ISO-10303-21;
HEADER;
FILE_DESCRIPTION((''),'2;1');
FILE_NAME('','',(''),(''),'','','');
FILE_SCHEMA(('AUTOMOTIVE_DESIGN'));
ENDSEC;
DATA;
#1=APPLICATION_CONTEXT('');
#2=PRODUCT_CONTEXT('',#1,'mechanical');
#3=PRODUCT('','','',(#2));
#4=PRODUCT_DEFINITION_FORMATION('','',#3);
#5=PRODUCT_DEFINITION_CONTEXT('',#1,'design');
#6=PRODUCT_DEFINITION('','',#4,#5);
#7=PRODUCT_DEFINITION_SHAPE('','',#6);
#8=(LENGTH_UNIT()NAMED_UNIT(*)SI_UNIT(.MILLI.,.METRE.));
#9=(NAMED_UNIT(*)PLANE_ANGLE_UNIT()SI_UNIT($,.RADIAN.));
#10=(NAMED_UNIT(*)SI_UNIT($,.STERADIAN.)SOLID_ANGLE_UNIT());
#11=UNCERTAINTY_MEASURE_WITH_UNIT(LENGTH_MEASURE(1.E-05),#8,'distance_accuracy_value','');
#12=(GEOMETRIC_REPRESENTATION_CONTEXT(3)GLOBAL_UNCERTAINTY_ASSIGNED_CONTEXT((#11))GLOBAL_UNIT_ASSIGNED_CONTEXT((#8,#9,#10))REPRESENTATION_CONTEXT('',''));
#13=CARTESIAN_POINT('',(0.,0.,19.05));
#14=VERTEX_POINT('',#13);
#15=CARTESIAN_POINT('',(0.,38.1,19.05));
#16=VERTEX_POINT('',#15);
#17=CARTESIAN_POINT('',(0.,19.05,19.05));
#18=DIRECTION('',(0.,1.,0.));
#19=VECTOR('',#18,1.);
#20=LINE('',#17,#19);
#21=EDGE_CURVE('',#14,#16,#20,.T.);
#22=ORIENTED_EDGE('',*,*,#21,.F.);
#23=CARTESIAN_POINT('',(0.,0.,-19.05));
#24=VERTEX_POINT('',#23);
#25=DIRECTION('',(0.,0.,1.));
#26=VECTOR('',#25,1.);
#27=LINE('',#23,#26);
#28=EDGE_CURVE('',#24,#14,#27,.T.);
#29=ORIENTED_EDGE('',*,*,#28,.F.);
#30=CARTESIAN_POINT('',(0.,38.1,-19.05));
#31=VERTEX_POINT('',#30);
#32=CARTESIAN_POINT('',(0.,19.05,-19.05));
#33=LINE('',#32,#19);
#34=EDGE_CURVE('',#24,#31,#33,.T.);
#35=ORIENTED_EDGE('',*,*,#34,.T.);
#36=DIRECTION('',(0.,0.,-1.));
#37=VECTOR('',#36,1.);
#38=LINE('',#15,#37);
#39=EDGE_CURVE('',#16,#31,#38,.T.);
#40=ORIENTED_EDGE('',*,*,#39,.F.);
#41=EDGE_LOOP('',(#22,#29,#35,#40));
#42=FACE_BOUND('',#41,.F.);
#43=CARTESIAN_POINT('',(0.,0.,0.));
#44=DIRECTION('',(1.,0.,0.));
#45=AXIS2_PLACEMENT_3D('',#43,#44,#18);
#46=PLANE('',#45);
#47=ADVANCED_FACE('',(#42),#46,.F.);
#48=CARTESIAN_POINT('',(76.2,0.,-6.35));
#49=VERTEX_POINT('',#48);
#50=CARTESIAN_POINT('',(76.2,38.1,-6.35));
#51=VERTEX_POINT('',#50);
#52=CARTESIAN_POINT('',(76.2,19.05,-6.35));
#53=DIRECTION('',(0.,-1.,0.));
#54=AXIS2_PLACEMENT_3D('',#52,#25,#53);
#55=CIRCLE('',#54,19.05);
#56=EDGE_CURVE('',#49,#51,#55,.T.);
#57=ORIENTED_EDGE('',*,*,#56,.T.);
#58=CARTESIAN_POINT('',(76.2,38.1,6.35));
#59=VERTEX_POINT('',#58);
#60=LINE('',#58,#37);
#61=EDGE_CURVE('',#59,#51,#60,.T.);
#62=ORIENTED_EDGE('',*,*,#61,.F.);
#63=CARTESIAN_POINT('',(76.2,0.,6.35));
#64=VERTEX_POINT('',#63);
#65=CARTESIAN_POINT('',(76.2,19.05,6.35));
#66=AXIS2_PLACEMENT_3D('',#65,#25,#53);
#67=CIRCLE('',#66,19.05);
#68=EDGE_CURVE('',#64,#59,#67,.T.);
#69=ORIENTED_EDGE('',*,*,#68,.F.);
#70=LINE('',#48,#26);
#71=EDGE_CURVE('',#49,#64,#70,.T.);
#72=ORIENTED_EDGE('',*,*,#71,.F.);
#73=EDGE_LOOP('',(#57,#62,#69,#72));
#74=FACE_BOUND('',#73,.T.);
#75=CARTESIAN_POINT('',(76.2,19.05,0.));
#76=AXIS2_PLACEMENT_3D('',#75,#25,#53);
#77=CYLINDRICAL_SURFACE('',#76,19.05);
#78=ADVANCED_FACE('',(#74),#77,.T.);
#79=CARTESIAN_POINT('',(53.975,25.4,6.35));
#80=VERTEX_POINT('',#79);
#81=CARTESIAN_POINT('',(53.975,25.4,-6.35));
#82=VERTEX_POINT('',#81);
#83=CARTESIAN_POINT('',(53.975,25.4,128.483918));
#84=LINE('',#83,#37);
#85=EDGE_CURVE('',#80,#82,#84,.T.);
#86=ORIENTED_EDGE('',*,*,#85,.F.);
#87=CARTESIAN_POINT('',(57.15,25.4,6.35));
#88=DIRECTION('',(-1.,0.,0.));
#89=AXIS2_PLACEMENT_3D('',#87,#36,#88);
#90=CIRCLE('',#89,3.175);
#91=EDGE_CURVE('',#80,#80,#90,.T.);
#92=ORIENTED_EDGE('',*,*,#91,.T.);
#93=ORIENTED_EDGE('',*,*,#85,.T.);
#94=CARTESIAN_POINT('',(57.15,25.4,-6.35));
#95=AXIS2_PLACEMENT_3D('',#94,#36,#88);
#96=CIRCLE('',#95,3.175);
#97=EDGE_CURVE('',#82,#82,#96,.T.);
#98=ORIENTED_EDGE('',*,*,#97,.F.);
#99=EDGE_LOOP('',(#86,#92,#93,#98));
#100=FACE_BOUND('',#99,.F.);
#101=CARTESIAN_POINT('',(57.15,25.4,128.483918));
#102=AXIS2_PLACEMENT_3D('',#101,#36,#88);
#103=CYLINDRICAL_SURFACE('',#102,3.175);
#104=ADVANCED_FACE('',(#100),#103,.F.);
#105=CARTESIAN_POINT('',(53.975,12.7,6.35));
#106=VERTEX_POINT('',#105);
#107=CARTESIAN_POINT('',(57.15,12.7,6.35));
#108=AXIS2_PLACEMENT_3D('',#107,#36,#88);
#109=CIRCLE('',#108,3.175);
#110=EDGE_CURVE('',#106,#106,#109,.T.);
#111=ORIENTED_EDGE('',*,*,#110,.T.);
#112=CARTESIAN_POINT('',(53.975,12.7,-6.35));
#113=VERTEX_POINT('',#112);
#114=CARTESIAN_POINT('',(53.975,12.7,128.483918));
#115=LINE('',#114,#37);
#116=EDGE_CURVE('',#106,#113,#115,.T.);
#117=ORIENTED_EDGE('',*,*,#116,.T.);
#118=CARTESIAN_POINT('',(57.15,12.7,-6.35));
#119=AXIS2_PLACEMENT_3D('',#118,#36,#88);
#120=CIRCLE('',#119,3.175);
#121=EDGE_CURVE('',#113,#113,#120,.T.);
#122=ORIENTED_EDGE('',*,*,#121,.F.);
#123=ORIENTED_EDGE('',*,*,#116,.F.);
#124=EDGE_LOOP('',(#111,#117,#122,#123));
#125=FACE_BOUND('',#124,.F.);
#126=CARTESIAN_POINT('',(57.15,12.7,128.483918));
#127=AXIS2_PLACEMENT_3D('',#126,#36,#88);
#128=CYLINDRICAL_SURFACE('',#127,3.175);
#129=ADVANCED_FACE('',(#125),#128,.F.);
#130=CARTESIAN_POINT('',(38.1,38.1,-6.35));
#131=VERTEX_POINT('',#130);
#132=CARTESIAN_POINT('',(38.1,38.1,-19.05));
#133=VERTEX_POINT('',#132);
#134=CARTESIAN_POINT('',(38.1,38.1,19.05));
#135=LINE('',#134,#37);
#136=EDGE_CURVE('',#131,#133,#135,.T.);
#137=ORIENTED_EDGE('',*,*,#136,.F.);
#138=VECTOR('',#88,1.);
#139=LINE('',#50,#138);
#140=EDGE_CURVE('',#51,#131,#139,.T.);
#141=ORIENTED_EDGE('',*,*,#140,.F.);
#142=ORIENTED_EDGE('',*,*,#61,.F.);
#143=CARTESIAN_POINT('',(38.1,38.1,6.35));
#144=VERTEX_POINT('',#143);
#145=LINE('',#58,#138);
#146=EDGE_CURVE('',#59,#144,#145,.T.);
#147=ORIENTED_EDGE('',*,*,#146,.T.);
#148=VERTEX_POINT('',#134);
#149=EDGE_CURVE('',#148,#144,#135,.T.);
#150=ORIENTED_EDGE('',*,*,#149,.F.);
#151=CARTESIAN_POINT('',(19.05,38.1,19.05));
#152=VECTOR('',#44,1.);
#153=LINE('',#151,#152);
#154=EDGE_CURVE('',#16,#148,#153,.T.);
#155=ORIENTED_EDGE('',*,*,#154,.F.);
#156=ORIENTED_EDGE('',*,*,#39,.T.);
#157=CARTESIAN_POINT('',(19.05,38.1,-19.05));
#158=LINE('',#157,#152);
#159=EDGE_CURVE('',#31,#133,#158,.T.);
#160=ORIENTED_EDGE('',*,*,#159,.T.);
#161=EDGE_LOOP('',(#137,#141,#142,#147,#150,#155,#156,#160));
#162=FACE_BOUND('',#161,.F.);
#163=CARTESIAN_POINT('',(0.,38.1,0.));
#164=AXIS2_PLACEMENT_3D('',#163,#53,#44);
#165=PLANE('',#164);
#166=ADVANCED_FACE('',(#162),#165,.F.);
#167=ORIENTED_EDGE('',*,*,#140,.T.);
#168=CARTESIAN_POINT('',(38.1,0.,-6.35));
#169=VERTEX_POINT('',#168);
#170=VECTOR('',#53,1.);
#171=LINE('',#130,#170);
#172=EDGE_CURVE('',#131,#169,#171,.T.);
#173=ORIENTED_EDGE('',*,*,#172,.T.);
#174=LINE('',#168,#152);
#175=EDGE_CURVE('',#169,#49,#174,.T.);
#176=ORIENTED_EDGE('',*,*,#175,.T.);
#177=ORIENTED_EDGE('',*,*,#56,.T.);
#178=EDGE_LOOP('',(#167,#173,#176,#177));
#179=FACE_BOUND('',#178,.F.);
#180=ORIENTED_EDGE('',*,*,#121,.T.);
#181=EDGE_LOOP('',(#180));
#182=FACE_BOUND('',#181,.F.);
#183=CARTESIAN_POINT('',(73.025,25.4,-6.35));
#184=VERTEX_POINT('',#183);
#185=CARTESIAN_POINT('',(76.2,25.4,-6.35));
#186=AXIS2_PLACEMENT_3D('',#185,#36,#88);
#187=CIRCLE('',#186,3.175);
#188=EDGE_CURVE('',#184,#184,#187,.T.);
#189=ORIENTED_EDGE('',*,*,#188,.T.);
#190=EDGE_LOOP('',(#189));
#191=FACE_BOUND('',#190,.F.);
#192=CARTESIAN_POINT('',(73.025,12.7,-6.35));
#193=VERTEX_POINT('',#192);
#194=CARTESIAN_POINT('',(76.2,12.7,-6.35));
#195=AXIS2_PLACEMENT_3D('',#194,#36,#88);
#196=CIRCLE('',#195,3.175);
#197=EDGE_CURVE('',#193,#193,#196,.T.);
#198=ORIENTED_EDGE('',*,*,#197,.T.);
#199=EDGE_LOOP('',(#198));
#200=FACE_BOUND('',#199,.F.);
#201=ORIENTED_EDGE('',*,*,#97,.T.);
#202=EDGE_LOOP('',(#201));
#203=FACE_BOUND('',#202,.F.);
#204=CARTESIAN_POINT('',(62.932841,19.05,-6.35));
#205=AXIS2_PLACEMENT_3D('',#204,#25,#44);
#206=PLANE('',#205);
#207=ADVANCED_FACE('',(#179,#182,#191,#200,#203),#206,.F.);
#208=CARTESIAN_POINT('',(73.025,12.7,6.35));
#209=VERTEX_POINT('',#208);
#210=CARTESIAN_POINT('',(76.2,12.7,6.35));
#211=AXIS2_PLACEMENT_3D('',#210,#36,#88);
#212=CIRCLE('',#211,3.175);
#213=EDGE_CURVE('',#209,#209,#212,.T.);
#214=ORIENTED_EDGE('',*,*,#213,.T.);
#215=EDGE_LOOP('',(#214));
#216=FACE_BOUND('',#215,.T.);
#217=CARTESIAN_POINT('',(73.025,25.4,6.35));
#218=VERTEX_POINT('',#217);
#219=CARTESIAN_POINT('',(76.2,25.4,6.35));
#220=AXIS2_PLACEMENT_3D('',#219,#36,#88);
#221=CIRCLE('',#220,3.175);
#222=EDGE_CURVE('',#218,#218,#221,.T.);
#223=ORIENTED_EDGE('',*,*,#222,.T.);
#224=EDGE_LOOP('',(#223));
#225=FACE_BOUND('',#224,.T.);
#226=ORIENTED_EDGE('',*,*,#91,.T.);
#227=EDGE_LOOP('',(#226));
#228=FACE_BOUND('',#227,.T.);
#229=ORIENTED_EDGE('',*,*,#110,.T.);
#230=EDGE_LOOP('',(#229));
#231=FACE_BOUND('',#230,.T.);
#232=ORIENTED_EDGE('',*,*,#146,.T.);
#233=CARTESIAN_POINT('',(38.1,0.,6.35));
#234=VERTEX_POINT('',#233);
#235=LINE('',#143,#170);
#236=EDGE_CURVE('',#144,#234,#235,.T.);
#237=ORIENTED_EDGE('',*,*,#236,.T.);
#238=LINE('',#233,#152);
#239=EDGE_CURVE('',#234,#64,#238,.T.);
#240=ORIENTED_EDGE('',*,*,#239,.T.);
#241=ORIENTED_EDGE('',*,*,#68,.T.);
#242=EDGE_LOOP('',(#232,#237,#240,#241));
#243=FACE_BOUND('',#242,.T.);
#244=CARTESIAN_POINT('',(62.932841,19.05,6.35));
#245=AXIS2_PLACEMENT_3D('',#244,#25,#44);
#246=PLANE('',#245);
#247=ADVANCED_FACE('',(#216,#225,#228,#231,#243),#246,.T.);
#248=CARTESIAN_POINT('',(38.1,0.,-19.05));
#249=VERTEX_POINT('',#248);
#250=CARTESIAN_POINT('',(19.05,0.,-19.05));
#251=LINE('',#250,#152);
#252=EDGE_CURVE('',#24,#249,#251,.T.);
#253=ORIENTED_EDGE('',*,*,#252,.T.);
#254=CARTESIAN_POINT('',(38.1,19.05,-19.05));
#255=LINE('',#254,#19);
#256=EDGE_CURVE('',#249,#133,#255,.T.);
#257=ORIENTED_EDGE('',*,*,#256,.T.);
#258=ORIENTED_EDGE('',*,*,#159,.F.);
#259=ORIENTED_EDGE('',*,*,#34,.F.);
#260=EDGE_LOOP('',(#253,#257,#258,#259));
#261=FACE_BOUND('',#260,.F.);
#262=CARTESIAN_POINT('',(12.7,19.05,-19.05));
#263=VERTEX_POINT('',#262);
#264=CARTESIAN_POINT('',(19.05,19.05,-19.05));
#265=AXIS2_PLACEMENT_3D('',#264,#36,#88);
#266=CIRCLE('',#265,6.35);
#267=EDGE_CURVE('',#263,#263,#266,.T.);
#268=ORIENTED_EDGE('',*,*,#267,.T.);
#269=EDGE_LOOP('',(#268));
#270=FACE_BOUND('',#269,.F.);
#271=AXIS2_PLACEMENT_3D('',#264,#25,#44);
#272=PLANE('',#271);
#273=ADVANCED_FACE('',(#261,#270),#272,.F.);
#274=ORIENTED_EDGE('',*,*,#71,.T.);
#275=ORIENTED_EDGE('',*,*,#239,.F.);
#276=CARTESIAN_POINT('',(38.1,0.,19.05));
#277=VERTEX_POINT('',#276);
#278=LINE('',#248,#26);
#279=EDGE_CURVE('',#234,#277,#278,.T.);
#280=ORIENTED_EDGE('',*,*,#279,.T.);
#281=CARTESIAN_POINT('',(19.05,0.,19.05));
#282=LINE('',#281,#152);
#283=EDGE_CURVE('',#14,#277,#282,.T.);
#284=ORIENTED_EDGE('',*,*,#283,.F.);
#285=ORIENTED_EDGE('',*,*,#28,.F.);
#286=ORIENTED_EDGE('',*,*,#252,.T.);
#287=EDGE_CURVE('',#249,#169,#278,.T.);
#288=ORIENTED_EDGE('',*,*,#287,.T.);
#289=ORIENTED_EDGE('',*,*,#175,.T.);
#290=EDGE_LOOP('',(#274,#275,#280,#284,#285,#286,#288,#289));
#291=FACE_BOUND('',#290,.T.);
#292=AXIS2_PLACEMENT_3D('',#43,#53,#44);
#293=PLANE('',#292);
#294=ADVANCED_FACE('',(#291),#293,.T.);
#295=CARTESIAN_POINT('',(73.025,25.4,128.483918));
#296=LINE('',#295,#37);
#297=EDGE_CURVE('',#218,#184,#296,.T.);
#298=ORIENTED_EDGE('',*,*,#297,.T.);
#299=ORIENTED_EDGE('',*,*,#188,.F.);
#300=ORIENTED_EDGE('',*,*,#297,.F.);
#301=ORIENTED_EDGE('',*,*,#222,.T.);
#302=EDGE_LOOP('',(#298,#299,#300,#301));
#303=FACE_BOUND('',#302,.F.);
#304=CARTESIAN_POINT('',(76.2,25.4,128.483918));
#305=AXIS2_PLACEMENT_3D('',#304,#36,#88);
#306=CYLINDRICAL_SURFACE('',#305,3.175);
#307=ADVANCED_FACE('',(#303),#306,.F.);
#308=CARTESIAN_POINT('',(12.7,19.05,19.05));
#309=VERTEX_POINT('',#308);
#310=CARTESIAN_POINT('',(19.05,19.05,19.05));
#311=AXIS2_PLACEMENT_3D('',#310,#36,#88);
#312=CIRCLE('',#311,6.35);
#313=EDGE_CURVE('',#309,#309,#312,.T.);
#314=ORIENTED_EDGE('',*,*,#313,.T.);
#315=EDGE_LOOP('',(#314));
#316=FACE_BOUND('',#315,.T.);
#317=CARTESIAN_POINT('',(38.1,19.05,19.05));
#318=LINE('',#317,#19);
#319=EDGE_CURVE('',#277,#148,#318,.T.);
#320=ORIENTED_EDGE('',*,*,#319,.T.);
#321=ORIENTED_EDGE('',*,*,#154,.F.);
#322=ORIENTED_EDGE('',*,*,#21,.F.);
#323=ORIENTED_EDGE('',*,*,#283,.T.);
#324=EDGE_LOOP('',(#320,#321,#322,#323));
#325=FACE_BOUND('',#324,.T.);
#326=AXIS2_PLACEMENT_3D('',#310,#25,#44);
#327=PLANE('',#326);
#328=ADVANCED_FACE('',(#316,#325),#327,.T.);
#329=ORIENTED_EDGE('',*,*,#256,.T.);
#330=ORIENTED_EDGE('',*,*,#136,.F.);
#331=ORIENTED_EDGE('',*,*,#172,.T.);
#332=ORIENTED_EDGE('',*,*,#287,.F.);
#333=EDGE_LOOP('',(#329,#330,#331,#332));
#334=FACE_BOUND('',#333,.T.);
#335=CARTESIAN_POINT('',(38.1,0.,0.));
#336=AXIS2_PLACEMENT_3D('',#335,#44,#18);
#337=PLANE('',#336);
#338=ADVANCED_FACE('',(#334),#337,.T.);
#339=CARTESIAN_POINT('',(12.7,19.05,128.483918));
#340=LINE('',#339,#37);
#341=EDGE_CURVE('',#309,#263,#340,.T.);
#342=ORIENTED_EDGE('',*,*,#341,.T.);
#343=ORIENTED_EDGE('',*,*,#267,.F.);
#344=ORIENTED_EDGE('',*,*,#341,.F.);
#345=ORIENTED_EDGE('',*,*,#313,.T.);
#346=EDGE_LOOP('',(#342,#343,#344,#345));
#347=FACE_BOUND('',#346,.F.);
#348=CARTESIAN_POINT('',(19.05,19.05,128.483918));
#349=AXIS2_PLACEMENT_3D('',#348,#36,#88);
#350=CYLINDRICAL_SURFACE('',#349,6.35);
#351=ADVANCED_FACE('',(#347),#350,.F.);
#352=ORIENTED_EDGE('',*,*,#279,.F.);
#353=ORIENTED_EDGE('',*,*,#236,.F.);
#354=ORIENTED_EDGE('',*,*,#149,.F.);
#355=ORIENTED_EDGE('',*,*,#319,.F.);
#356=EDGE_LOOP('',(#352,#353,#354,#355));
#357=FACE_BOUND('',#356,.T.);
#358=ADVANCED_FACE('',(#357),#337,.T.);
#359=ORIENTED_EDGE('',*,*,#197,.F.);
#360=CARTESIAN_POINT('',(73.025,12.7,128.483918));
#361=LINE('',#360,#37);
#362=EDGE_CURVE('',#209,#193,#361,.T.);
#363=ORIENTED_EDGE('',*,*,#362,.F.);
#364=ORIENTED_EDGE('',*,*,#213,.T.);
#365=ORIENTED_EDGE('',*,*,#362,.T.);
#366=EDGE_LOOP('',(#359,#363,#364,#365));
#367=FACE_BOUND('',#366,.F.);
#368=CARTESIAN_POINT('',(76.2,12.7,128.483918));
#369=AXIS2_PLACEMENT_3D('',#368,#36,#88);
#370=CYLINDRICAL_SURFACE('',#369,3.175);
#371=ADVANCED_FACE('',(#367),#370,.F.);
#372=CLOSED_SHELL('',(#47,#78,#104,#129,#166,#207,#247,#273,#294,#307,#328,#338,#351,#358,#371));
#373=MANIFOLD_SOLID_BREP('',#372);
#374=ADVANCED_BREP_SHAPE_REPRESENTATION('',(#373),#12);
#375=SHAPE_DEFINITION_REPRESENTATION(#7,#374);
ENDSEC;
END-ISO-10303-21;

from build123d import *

# Parameters (mm, degrees)
F0_W     = 38.1
F0_H     = 38.1
F1_DEPTH = 19.05
F2_DEPTH = 6.35
F4_D     = 6.35
F5_D     = 12.7


with BuildPart() as f1:
    # F0 (on Top) → F1 (new body, symmetric)
    with BuildSketch(Plane.XY):
        with Locations((19.05, 19.05)):
            Rectangle(F0_W, F0_H)
    extrude(amount=F1_DEPTH, both=True)

    # F0 (on Top) → F2 (join, symmetric)
    with BuildSketch(Plane.XY):
        with BuildLine():
            Line((38.1, 38.1), (38.1, 0))
            Line((38.1, 0), (76.2, 0))
            ThreePointArc((76.2, 0), (95.25, 19.05), (76.2, 38.1))
            Line((76.2, 38.1), (38.1, 38.1))
        make_face()
    extrude(amount=F2_DEPTH, both=True)

    # F4 (through all)
    with Locations(Plane.XY.offset(19.05)):
        with Locations((57.15, 25.4), (57.15, 12.7), (76.2, 12.7), (76.2, 25.4)):
            Hole(F4_D / 2)

    # F5 (through all)
    with Locations(Plane.XY.offset(19.05)):
        with Locations((19.05, 19.05)):
            Hole(F5_D / 2)


solid = f1.part
